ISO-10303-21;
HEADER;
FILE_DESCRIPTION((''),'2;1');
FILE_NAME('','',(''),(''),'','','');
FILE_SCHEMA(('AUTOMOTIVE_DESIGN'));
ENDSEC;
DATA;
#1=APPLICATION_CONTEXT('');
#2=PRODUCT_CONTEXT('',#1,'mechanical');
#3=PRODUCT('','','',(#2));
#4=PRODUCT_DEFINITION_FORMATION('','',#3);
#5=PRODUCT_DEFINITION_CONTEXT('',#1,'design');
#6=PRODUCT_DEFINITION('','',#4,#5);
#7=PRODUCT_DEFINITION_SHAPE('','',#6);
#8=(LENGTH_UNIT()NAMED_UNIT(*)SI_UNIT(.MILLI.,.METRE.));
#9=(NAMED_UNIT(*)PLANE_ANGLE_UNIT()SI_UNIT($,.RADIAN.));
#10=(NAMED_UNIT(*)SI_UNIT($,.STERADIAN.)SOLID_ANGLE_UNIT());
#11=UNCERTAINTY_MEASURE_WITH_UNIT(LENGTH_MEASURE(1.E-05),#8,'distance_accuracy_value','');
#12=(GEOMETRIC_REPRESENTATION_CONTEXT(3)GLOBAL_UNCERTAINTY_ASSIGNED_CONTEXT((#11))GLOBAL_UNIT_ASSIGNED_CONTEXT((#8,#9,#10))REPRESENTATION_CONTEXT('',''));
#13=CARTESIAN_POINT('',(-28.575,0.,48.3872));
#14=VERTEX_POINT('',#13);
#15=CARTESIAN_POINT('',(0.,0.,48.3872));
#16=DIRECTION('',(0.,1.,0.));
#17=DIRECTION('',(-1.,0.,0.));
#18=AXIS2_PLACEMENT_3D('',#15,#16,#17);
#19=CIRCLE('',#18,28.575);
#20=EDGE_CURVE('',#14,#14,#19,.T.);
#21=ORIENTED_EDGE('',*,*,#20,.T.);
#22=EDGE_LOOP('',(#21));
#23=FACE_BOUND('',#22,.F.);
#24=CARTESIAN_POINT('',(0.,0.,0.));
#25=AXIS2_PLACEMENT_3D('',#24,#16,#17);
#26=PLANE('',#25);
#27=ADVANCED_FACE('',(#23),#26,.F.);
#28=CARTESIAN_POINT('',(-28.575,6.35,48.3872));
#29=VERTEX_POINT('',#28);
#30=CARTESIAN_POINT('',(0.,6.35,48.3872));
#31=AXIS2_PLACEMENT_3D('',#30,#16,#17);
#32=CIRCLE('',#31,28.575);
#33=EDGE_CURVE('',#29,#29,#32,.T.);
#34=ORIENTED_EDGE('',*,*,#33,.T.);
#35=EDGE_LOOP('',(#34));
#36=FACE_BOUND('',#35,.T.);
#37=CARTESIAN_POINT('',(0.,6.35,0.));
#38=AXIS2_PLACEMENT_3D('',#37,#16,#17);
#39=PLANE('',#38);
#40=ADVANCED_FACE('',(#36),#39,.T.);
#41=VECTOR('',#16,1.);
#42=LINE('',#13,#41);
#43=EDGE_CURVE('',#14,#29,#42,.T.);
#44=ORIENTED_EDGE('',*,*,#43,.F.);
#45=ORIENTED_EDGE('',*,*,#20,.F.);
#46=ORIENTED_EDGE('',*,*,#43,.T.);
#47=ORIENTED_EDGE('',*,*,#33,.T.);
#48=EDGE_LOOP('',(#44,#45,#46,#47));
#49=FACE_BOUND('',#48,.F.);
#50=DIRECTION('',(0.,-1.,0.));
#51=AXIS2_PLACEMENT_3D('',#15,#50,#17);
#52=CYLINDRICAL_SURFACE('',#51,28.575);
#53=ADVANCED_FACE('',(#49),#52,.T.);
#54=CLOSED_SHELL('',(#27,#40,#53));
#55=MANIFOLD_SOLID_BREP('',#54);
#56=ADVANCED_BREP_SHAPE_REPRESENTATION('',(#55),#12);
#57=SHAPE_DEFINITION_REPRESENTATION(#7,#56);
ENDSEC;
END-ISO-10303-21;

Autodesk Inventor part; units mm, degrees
ref_plane "YZ Plane" through (0, 0, 0) normal (1, 0, 0) x (0, 1, 0)
ref_plane "XZ Plane" through (0, 0, 0) normal (0, 1, 0) x (-1, 0, 0)
ref_plane "XY Plane" through (0, 0, 0) normal (0, 0, 1) x (1, 0, 0)
sketch "Sketch1" plane through (0, 0, 0) normal (0, 1, 0) x (-1, 0, 0)
  circle A0 centre (0, 48.3872) radius 28.575
  point P0 (0, 0)
  dimension "d0" = 57.15
  dimension "d0" = 57.15
extrude "Extrusion1" add sketch "Sketch1" along normal blind 6.35
properties part number "Gear2"
